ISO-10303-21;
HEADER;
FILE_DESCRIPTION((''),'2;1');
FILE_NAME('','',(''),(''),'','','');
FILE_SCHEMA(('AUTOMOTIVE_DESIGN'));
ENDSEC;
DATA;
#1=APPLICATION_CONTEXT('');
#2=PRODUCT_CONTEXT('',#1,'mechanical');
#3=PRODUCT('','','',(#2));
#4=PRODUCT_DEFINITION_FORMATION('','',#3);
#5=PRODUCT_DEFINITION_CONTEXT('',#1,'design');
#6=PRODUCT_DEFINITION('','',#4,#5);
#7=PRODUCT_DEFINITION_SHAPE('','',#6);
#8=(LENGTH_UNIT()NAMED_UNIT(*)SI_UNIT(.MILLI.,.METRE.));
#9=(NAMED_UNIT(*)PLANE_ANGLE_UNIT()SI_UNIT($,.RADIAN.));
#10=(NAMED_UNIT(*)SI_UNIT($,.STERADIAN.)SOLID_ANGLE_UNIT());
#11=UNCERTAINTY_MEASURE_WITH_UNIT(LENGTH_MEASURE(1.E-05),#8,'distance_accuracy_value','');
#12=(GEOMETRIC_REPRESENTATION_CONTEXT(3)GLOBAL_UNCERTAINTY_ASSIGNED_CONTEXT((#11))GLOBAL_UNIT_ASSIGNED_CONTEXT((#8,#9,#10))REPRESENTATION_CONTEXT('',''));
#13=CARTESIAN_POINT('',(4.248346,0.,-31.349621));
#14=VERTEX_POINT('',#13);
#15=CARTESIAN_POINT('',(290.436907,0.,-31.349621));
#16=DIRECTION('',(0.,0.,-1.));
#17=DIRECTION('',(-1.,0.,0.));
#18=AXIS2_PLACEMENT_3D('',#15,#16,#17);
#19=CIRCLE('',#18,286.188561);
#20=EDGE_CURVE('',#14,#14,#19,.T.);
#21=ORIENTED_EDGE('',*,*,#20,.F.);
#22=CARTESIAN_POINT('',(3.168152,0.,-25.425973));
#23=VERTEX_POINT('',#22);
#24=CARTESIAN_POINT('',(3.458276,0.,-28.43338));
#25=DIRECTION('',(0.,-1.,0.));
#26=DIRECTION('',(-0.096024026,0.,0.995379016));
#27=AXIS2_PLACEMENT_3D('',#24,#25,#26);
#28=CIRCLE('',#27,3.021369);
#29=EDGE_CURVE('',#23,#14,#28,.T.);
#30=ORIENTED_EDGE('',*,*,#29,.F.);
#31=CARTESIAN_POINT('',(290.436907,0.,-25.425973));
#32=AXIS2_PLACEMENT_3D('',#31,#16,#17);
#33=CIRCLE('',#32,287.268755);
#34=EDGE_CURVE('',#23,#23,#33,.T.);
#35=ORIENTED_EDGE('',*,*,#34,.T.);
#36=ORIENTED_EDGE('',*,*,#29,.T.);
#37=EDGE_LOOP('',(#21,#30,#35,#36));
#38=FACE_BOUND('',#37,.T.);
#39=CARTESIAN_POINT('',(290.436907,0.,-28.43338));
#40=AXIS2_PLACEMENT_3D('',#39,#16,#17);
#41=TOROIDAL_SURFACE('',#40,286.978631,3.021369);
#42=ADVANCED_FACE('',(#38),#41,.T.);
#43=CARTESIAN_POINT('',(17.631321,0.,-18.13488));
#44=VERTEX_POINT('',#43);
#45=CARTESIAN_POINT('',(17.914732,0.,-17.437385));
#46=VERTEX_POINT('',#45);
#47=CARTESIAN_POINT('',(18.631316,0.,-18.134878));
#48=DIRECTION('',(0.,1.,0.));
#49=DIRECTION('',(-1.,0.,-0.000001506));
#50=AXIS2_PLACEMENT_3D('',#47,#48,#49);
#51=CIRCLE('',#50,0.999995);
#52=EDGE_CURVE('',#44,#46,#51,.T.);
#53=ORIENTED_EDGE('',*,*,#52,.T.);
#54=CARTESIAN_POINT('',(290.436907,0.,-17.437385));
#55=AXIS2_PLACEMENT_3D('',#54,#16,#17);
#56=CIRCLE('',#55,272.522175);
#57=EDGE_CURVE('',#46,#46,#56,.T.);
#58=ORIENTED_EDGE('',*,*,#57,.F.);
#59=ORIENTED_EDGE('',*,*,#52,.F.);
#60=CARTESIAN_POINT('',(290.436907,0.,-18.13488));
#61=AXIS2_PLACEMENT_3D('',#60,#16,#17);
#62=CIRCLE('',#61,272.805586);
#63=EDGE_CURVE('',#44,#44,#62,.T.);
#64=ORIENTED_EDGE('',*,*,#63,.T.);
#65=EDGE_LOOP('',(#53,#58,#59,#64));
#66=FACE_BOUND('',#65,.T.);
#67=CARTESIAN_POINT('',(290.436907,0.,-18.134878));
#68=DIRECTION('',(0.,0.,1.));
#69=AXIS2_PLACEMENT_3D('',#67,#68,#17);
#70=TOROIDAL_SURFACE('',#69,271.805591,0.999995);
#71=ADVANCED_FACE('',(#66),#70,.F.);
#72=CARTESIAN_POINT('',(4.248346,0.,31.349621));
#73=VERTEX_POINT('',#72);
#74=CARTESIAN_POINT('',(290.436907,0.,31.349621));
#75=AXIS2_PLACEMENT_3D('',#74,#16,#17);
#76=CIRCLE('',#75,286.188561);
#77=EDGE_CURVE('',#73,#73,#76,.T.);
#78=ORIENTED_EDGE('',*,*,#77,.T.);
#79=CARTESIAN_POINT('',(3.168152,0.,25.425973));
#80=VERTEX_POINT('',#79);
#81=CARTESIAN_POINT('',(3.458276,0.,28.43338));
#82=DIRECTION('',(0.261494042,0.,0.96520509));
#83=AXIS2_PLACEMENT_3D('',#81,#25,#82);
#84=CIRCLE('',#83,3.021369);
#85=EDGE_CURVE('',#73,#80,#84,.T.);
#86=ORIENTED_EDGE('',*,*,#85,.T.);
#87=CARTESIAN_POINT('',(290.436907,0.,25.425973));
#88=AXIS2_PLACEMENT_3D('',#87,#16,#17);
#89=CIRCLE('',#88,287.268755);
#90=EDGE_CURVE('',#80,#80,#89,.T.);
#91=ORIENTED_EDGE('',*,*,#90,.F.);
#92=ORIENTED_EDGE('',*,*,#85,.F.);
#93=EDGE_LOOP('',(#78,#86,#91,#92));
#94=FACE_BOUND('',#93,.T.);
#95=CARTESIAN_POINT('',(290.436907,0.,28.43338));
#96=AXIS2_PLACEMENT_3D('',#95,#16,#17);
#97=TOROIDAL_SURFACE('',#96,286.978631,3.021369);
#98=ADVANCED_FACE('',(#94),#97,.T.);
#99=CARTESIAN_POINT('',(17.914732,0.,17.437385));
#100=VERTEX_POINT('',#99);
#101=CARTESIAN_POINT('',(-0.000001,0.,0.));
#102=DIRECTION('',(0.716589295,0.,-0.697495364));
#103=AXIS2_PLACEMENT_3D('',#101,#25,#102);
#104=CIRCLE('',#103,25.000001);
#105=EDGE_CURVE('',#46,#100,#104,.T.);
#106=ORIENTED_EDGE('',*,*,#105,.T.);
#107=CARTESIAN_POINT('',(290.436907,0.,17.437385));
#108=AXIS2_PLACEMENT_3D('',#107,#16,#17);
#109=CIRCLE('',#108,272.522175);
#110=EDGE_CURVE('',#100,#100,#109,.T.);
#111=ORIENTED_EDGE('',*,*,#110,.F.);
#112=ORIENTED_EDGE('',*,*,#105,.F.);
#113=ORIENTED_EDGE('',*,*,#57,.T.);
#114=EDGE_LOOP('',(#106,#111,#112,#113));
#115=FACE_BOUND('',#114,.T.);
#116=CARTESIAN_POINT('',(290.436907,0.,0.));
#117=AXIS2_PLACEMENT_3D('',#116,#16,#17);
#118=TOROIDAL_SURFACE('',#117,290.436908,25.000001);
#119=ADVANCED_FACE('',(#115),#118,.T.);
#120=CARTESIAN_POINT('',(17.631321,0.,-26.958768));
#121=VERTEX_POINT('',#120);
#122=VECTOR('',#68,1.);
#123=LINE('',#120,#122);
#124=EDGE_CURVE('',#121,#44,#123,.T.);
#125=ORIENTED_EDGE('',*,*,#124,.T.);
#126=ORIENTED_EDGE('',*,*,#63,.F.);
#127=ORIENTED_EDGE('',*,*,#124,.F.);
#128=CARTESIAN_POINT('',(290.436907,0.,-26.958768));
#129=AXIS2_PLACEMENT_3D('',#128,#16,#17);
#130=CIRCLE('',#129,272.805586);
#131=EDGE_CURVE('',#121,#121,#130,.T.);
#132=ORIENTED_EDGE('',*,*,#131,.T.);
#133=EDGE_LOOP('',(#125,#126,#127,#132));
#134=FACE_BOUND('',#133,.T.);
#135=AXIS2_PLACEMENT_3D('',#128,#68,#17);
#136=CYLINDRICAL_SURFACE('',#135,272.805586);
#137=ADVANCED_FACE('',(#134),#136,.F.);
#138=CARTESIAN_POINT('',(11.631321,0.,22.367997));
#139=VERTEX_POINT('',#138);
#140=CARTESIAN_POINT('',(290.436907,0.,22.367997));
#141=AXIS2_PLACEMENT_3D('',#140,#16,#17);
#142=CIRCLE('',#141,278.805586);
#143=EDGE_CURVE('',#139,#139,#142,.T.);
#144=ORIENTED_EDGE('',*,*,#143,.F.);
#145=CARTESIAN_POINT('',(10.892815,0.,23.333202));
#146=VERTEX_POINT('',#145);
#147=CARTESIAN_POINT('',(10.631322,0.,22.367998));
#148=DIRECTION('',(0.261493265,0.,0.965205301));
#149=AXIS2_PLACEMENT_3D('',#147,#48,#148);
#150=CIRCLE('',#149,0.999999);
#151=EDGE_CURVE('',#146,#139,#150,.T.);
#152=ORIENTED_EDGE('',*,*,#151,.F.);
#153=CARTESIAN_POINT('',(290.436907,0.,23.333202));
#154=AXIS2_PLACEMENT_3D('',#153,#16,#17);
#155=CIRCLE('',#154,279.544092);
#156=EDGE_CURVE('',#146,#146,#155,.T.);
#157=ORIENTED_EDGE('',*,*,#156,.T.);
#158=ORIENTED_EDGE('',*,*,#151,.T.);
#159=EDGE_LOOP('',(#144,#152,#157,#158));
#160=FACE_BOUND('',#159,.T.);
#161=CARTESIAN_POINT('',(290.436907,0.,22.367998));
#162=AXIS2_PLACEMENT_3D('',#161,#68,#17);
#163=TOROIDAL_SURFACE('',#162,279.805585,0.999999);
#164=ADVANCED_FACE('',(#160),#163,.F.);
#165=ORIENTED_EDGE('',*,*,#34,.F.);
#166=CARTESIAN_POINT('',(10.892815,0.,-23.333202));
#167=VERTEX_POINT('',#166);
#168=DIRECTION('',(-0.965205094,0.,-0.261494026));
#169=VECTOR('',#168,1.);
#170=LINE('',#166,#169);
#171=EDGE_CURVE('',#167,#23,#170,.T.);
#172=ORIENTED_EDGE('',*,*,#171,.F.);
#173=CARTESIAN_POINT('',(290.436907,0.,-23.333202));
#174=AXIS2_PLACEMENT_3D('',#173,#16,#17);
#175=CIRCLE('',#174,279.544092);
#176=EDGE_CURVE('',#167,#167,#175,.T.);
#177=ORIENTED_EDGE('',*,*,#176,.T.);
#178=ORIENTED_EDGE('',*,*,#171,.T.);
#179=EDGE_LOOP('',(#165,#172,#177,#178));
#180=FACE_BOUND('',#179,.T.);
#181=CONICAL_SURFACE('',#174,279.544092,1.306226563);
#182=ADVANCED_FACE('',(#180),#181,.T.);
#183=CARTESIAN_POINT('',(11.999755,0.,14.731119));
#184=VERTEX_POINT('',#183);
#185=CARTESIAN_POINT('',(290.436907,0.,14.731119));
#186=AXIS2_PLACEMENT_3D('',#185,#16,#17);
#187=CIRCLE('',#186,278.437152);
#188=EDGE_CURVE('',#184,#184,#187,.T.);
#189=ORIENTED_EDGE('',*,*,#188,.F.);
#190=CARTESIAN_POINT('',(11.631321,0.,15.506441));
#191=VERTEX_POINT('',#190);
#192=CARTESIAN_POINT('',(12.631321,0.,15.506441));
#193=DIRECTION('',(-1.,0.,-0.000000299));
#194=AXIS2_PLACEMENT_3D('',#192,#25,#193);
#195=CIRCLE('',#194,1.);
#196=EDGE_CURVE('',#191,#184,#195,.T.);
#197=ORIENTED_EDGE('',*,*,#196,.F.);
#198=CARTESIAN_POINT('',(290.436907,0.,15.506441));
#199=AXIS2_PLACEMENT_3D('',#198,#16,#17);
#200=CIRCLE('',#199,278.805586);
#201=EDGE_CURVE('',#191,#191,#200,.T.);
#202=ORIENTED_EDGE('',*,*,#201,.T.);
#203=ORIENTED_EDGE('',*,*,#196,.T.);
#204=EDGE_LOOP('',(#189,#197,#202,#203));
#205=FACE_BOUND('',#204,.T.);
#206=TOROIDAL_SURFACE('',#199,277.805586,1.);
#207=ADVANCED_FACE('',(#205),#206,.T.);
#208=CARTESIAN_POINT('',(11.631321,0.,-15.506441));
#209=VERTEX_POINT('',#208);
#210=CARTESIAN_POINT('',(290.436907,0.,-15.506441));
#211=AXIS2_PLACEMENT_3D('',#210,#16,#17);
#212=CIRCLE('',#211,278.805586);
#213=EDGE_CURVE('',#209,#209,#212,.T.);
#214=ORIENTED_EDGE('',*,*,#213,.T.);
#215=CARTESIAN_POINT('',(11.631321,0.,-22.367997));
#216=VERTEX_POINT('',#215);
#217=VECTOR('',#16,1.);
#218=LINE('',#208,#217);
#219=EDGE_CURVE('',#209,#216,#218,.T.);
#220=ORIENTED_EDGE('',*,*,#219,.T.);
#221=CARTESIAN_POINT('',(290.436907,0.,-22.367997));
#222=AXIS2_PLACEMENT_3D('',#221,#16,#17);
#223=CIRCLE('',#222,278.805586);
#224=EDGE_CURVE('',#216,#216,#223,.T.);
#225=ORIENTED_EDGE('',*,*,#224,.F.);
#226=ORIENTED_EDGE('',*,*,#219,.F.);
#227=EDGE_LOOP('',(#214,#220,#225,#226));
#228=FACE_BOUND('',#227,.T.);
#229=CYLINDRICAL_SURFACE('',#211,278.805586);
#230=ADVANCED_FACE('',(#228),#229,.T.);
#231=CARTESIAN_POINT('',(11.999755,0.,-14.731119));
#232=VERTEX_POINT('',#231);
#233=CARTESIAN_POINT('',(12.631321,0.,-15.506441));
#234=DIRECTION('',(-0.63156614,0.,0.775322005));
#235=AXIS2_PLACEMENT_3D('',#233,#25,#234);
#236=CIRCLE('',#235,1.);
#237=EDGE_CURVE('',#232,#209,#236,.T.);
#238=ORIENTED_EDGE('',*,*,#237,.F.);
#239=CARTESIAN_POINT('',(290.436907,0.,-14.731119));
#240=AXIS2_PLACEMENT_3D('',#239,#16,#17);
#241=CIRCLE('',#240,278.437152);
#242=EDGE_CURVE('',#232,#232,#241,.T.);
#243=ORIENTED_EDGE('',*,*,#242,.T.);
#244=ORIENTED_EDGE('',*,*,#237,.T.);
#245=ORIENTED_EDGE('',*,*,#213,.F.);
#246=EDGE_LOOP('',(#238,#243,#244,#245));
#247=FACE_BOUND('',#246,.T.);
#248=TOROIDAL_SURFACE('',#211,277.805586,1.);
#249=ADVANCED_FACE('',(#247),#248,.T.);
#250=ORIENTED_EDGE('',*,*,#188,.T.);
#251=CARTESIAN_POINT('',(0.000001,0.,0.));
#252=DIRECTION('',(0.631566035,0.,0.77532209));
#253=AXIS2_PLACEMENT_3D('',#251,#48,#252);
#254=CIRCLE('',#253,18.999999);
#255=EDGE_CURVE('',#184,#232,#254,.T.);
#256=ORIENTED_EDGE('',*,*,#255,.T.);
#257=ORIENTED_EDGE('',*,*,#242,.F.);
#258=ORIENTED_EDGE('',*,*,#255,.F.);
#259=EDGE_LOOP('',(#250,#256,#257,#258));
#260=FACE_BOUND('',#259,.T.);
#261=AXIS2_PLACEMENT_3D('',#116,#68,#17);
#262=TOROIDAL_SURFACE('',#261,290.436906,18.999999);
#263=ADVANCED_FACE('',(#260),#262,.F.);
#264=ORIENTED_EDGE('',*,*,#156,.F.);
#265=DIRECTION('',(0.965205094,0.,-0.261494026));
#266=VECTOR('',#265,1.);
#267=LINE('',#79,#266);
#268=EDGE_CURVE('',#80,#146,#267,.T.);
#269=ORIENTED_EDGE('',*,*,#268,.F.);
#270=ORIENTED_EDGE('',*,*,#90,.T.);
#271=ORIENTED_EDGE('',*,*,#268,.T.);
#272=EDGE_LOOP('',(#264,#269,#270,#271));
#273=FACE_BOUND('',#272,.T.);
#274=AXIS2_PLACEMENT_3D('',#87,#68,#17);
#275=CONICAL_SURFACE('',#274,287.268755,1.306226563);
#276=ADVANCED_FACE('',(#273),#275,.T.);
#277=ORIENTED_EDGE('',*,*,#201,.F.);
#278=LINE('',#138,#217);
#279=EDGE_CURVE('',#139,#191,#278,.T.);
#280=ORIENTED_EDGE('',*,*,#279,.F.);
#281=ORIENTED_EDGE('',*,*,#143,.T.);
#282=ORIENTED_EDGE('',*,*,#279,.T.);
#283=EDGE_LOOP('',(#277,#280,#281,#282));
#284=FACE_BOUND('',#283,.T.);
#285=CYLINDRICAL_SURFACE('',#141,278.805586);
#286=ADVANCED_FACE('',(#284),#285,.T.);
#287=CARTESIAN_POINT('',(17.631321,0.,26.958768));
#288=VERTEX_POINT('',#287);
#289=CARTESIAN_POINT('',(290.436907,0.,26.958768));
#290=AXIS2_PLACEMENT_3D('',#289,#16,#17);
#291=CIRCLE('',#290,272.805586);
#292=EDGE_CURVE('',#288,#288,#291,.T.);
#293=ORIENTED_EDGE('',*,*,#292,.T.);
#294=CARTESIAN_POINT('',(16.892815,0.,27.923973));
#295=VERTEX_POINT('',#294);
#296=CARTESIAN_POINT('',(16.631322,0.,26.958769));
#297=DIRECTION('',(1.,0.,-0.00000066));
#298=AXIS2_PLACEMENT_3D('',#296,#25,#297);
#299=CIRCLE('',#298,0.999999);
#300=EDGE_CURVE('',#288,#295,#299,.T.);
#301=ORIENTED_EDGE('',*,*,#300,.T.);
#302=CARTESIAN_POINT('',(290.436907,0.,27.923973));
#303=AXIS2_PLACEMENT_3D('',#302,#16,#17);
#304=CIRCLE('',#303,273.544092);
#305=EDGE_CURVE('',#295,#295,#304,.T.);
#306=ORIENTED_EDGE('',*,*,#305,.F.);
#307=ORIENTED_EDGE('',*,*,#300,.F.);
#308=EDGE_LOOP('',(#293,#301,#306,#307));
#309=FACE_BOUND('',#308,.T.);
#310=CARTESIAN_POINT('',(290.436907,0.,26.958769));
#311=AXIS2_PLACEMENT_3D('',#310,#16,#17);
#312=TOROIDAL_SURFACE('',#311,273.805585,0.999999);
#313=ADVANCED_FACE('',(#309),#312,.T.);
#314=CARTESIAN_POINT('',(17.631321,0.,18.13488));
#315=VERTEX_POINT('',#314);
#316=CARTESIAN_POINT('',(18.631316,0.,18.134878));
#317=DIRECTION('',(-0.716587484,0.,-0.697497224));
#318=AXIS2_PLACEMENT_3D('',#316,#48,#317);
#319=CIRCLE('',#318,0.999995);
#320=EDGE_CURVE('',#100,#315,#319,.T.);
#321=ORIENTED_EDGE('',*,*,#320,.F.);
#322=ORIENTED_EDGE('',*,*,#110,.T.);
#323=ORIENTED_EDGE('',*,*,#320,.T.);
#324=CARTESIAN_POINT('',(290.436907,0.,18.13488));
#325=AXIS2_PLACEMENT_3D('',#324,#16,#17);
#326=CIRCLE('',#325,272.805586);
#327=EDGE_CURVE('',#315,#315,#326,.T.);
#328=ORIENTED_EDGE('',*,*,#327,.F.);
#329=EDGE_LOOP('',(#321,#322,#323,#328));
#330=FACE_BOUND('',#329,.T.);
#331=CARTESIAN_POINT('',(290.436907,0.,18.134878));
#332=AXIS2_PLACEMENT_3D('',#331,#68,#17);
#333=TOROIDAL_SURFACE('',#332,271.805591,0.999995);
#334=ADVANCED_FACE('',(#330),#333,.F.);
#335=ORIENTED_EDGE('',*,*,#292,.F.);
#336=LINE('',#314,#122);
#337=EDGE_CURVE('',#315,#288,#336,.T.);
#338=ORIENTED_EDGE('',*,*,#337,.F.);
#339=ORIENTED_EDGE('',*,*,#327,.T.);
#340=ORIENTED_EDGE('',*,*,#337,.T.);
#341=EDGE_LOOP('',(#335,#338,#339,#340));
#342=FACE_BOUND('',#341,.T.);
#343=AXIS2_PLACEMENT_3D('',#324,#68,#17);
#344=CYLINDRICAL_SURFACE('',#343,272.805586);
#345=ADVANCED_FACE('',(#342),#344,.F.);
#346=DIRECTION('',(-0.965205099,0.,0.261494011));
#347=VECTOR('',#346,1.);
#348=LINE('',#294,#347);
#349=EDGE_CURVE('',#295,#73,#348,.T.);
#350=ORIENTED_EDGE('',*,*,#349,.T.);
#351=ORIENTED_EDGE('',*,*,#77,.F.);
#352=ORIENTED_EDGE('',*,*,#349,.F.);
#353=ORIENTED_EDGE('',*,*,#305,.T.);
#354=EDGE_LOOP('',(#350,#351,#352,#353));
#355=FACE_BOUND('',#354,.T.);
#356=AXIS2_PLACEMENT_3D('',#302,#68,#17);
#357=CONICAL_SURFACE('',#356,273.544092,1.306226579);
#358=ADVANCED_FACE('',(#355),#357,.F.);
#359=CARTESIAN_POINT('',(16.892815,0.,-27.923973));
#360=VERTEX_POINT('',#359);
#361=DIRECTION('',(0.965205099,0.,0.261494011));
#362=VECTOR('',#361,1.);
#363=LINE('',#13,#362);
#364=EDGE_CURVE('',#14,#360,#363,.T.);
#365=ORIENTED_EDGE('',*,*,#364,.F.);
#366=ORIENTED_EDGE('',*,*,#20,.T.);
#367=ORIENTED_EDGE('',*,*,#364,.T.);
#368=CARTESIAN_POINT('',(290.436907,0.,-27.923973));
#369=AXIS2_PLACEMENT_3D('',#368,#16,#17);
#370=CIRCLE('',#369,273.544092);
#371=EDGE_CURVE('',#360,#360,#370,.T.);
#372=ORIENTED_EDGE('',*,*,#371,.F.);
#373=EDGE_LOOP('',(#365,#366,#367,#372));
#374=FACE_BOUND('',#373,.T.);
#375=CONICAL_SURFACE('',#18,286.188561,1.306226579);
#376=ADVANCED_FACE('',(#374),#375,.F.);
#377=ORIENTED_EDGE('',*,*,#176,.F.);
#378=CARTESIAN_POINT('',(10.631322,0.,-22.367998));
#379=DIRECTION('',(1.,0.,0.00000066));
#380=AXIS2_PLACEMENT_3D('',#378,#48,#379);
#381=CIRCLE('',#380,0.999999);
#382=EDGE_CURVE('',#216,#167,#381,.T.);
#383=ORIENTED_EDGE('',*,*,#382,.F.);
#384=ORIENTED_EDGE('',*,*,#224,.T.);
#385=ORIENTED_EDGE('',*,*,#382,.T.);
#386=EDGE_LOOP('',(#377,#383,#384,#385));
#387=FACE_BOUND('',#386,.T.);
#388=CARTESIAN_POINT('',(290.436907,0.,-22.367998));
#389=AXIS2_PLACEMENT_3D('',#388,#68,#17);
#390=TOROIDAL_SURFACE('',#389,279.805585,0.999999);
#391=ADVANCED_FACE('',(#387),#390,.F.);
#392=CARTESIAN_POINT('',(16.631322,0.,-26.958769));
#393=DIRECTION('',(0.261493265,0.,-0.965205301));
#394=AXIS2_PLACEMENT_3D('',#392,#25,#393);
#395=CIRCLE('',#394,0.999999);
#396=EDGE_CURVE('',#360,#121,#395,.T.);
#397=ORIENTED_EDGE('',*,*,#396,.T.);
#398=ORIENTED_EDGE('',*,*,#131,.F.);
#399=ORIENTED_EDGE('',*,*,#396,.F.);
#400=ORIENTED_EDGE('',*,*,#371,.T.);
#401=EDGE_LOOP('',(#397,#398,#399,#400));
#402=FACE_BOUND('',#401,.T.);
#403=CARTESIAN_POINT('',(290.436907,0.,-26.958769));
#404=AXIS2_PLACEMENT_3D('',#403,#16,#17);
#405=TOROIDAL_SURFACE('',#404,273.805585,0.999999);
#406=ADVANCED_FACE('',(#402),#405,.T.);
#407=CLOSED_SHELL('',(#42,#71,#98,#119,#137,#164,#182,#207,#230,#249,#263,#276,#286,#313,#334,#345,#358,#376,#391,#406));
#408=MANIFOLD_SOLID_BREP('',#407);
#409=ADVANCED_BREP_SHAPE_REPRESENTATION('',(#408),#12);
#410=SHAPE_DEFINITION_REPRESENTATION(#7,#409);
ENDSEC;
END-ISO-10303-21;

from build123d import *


with BuildPart() as f1:
    # F0 (on Front) → F1 (revolve)
    with BuildSketch(Plane.XZ):
        with BuildLine():
            ThreePointArc((17.914732, 17.437385), (17.704879, 17.758442), (17.631321, 18.13488))
            Line((17.631321, 18.13488), (17.631321, 26.958768))
            ThreePointArc((17.631321, 26.958768), (17.425517, 27.56643), (16.892815, 27.923973))
            Line((16.892815, 27.923973), (4.248346, 31.349621))
            ThreePointArc((4.248346, 31.349621), (0.485922, 28.975397), (3.168152, 25.425973))
            Line((3.168152, 25.425973), (10.892815, 23.333202))
            ThreePointArc((10.892815, 23.333202), (11.425517, 22.975659), (11.631321, 22.367997))
            Line((11.631321, 22.367997), (11.631321, 15.506441))
            ThreePointArc((11.631321, 15.506441), (11.728114, 15.077236), (11.999755, 14.731119))
            ThreePointArc((11.999755, 14.731119), (19, 0), (11.999755, -14.731119))
            ThreePointArc((11.999755, -14.731119), (11.728114, -15.077236), (11.631321, -15.506441))
            Line((11.631321, -15.506441), (11.631321, -22.367997))
            ThreePointArc((11.631321, -22.367997), (11.425517, -22.975659), (10.892815, -23.333202))
            Line((10.892815, -23.333202), (3.168152, -25.425973))
            ThreePointArc((3.168152, -25.425973), (0.485922, -28.975397), (4.248346, -31.349621))
            Line((4.248346, -31.349621), (16.892815, -27.923973))
            ThreePointArc((16.892815, -27.923973), (17.425517, -27.56643), (17.631321, -26.958768))
            Line((17.631321, -26.958768), (17.631321, -18.13488))
            ThreePointArc((17.631321, -18.13488), (17.704879, -17.758442), (17.914732, -17.437385))
            ThreePointArc((17.914732, -17.437385), (25, 0), (17.914732, 17.437385))
        make_face()
    revolve(axis=Axis((290.436907, 0, 0.230504), (0, 0, -1)))


solid = f1.part
